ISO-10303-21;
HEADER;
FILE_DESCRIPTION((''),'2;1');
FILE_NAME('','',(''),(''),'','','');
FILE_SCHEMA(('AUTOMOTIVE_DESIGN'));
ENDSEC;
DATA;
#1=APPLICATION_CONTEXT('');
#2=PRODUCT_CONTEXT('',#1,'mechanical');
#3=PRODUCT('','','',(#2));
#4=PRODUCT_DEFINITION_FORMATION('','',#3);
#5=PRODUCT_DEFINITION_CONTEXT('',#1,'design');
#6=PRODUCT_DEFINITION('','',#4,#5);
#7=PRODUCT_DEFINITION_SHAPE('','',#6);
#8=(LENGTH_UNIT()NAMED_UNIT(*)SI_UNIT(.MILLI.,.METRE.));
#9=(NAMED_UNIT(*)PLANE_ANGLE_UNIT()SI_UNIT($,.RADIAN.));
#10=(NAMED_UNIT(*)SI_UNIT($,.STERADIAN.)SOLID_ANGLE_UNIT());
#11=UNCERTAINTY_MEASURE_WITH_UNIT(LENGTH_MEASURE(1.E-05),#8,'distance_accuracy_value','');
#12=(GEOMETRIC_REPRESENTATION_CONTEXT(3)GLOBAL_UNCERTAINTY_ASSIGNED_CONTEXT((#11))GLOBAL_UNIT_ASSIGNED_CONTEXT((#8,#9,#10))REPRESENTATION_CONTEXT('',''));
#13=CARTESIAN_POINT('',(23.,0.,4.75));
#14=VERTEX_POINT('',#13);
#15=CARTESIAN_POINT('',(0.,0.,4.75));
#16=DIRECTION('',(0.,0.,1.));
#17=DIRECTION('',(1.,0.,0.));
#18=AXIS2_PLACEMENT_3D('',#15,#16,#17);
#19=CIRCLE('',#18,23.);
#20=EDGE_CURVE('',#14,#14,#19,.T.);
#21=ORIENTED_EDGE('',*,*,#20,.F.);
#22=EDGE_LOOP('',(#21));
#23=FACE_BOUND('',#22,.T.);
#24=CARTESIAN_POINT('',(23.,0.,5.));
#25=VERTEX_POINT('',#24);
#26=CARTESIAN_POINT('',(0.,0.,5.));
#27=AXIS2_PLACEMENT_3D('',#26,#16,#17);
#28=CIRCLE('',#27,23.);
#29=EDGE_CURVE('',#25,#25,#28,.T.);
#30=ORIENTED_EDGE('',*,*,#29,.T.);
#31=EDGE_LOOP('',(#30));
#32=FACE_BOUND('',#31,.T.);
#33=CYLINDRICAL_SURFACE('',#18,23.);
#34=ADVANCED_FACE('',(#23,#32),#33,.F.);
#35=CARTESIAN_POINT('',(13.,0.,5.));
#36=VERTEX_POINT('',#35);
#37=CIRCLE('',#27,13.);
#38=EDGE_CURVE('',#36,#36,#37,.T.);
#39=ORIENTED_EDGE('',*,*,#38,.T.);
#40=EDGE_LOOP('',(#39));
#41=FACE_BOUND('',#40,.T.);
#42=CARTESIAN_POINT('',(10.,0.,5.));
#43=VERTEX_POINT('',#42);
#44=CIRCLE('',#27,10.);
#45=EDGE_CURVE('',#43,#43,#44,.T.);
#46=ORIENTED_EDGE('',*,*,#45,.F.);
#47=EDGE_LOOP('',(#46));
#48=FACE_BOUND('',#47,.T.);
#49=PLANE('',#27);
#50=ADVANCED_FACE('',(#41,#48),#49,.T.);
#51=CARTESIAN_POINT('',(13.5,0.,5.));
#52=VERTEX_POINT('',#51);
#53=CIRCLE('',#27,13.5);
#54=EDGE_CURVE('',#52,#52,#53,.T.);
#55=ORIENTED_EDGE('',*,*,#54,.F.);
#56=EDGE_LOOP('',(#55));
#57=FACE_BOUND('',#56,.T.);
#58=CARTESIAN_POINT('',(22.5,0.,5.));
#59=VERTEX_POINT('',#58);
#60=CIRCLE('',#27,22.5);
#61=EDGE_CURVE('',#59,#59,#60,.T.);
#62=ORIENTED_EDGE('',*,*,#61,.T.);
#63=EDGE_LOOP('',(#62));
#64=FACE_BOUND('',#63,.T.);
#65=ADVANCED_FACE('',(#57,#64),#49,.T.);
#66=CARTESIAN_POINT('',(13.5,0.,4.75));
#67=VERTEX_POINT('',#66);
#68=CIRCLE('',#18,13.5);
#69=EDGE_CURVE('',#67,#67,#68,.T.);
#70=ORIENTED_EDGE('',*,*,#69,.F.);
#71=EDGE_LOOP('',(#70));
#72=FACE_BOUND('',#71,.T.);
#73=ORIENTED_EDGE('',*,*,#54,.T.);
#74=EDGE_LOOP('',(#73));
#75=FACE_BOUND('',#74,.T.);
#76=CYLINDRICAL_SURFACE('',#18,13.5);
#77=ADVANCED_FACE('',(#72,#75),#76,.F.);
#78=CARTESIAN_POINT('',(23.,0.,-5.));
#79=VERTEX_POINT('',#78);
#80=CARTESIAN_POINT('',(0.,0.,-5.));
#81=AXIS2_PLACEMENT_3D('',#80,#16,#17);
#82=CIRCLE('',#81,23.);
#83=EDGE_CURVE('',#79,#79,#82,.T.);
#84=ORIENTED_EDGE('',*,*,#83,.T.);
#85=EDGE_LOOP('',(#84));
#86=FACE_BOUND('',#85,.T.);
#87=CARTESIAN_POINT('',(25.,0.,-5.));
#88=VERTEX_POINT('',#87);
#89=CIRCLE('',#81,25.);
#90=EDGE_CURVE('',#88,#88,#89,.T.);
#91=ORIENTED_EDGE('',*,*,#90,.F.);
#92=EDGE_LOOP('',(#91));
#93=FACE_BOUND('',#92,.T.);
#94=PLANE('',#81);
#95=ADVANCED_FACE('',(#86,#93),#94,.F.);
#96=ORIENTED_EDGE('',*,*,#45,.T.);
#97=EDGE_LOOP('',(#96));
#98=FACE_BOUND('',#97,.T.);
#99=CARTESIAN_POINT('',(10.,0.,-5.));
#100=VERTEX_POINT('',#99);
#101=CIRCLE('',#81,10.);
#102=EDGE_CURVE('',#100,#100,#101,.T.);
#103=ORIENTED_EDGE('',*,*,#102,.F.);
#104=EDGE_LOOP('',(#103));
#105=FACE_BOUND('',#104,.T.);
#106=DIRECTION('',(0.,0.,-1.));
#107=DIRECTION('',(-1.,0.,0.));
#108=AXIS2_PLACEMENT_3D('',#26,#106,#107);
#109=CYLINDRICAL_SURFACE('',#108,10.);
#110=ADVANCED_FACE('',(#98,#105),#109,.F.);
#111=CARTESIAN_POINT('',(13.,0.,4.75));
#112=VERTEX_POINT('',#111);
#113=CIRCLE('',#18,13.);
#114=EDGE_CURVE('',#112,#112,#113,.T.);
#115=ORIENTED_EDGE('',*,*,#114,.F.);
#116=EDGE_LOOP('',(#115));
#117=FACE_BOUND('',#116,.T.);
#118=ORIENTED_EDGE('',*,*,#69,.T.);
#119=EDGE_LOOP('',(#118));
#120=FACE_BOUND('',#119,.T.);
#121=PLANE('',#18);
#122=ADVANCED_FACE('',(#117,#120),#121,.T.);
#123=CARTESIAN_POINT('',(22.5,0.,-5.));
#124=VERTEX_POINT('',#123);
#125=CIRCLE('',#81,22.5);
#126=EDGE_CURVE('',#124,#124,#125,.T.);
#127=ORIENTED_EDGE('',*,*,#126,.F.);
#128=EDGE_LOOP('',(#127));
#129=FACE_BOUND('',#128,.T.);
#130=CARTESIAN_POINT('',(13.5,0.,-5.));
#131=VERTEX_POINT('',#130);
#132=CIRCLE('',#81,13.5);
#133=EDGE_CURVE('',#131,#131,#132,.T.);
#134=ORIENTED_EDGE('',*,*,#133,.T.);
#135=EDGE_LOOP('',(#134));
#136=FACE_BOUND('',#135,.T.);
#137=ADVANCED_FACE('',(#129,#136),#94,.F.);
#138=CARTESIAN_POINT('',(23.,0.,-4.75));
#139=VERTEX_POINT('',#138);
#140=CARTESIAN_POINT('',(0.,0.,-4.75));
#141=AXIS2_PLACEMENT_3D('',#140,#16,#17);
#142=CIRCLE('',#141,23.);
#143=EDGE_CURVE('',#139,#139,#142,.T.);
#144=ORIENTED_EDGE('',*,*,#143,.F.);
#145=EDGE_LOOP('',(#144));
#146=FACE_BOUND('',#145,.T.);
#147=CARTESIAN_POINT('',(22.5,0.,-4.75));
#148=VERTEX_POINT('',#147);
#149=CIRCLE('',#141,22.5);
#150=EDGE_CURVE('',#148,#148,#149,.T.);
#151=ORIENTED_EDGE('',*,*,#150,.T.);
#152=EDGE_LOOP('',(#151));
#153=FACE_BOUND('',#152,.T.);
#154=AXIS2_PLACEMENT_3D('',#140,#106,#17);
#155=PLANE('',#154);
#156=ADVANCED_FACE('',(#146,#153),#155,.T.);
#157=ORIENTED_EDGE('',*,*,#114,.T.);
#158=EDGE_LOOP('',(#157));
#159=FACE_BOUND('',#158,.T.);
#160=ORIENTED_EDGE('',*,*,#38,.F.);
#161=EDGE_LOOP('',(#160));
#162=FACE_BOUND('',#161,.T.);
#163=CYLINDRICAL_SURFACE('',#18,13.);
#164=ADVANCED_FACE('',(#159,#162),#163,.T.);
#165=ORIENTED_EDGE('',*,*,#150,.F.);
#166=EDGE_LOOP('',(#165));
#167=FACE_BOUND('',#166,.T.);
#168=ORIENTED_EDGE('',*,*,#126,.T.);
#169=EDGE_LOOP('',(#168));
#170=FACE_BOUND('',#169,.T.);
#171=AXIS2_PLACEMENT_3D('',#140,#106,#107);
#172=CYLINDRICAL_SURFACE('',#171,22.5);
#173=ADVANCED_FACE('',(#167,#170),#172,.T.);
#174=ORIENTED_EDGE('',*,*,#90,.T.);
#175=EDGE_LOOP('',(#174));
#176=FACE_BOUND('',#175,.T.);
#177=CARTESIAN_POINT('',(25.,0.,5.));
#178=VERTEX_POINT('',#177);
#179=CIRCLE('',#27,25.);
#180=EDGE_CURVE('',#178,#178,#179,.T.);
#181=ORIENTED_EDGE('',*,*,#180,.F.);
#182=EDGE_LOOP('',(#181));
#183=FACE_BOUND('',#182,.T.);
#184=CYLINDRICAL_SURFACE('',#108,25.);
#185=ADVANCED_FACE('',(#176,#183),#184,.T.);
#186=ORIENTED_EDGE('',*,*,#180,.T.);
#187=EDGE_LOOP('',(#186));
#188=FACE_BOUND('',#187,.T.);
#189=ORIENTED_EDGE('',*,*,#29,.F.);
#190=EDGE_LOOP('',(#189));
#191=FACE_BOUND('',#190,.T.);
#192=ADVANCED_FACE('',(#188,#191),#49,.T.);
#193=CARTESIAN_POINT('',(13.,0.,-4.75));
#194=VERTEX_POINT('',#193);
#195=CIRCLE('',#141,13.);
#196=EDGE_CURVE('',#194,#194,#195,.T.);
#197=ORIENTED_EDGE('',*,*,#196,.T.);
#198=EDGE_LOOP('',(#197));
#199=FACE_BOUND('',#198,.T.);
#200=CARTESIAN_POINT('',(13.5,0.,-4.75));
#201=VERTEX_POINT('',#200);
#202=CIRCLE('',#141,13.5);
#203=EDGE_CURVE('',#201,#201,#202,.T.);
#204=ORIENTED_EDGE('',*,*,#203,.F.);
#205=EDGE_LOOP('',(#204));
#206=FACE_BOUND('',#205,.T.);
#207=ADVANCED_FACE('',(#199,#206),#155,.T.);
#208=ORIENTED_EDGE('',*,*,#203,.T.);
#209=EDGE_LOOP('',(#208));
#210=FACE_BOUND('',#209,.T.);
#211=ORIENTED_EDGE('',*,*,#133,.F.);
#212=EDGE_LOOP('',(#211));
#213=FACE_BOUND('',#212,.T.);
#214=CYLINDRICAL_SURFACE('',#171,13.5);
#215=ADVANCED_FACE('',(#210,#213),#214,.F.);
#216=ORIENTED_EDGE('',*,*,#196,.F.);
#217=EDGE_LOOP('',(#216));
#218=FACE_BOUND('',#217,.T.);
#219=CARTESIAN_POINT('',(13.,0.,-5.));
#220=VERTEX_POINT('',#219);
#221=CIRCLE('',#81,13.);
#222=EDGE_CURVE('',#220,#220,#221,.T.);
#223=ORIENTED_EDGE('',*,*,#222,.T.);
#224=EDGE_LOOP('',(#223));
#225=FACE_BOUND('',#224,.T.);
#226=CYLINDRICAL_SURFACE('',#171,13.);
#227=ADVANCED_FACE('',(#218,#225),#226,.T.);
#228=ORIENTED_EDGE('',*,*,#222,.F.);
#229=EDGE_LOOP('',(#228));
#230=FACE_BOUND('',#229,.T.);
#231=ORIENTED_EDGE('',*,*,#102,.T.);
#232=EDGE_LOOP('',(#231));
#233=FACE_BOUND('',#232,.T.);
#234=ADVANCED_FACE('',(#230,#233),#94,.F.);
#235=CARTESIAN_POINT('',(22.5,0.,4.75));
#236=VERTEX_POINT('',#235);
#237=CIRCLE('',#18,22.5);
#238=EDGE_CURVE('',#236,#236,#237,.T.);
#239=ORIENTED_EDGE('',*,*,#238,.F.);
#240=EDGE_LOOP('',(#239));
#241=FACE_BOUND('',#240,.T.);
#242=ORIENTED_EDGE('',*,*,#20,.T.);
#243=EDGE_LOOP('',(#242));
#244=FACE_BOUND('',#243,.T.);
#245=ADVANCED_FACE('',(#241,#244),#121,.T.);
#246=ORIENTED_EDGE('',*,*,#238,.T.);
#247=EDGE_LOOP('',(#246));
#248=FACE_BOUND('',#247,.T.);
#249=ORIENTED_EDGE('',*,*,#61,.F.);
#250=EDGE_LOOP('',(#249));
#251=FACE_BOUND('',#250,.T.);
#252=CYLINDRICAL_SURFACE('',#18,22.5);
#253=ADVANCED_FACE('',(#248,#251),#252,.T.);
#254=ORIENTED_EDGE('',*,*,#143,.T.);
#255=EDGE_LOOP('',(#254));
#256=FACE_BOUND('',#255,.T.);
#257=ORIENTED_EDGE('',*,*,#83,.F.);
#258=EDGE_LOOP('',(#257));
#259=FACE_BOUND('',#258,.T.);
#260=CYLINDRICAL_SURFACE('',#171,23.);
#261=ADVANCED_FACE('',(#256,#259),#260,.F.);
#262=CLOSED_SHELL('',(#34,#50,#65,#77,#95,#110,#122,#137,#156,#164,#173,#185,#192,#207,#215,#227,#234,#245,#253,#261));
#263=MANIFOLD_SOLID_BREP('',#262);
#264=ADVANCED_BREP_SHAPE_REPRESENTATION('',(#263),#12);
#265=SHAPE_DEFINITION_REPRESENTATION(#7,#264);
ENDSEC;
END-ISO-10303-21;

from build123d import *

# Parameters (mm, degrees)
ESBO_O1_R                = 25
ESBO_O1_R_2              = 10
RESSALTO_EXTRUS_O1_DEPTH = 5
ESBO_O2_R                = 23
ESBO_O2_R_2              = 22.5
ESBO_O2_R_3              = 13.5
ESBO_O2_R_4              = 13
CORTE_EXTRUS_O1_DEPTH    = 0.25


with BuildPart() as part:
    # Esboço1 → Ressalto-extrusão1 (new, symmetric)
    with BuildSketch(Plane.XY):
        Circle(ESBO_O1_R)
        Circle(ESBO_O1_R_2, mode=Mode.SUBTRACT)
    extrude(amount=RESSALTO_EXTRUS_O1_DEPTH, both=True)

    # Esboço2 → Corte-extrusão1 (cut)
    # profile 1 of 2: a face of its own
    with BuildSketch(Plane.XY.offset(5)):
        Circle(ESBO_O2_R)
        Circle(ESBO_O2_R_2, mode=Mode.SUBTRACT)
    # profile 2 of 2: a face of its own
    with BuildSketch(Plane.XY.offset(5)):
        Circle(ESBO_O2_R_3)
        Circle(ESBO_O2_R_4, mode=Mode.SUBTRACT)
    corte_extrus_o1 = extrude(amount=-CORTE_EXTRUS_O1_DEPTH, mode=Mode.SUBTRACT)

    # Espelhar1: Corte-extrusão1 across plane
    add(corte_extrus_o1.mirror(Plane.XY), mode=Mode.SUBTRACT)


solid = part.part
